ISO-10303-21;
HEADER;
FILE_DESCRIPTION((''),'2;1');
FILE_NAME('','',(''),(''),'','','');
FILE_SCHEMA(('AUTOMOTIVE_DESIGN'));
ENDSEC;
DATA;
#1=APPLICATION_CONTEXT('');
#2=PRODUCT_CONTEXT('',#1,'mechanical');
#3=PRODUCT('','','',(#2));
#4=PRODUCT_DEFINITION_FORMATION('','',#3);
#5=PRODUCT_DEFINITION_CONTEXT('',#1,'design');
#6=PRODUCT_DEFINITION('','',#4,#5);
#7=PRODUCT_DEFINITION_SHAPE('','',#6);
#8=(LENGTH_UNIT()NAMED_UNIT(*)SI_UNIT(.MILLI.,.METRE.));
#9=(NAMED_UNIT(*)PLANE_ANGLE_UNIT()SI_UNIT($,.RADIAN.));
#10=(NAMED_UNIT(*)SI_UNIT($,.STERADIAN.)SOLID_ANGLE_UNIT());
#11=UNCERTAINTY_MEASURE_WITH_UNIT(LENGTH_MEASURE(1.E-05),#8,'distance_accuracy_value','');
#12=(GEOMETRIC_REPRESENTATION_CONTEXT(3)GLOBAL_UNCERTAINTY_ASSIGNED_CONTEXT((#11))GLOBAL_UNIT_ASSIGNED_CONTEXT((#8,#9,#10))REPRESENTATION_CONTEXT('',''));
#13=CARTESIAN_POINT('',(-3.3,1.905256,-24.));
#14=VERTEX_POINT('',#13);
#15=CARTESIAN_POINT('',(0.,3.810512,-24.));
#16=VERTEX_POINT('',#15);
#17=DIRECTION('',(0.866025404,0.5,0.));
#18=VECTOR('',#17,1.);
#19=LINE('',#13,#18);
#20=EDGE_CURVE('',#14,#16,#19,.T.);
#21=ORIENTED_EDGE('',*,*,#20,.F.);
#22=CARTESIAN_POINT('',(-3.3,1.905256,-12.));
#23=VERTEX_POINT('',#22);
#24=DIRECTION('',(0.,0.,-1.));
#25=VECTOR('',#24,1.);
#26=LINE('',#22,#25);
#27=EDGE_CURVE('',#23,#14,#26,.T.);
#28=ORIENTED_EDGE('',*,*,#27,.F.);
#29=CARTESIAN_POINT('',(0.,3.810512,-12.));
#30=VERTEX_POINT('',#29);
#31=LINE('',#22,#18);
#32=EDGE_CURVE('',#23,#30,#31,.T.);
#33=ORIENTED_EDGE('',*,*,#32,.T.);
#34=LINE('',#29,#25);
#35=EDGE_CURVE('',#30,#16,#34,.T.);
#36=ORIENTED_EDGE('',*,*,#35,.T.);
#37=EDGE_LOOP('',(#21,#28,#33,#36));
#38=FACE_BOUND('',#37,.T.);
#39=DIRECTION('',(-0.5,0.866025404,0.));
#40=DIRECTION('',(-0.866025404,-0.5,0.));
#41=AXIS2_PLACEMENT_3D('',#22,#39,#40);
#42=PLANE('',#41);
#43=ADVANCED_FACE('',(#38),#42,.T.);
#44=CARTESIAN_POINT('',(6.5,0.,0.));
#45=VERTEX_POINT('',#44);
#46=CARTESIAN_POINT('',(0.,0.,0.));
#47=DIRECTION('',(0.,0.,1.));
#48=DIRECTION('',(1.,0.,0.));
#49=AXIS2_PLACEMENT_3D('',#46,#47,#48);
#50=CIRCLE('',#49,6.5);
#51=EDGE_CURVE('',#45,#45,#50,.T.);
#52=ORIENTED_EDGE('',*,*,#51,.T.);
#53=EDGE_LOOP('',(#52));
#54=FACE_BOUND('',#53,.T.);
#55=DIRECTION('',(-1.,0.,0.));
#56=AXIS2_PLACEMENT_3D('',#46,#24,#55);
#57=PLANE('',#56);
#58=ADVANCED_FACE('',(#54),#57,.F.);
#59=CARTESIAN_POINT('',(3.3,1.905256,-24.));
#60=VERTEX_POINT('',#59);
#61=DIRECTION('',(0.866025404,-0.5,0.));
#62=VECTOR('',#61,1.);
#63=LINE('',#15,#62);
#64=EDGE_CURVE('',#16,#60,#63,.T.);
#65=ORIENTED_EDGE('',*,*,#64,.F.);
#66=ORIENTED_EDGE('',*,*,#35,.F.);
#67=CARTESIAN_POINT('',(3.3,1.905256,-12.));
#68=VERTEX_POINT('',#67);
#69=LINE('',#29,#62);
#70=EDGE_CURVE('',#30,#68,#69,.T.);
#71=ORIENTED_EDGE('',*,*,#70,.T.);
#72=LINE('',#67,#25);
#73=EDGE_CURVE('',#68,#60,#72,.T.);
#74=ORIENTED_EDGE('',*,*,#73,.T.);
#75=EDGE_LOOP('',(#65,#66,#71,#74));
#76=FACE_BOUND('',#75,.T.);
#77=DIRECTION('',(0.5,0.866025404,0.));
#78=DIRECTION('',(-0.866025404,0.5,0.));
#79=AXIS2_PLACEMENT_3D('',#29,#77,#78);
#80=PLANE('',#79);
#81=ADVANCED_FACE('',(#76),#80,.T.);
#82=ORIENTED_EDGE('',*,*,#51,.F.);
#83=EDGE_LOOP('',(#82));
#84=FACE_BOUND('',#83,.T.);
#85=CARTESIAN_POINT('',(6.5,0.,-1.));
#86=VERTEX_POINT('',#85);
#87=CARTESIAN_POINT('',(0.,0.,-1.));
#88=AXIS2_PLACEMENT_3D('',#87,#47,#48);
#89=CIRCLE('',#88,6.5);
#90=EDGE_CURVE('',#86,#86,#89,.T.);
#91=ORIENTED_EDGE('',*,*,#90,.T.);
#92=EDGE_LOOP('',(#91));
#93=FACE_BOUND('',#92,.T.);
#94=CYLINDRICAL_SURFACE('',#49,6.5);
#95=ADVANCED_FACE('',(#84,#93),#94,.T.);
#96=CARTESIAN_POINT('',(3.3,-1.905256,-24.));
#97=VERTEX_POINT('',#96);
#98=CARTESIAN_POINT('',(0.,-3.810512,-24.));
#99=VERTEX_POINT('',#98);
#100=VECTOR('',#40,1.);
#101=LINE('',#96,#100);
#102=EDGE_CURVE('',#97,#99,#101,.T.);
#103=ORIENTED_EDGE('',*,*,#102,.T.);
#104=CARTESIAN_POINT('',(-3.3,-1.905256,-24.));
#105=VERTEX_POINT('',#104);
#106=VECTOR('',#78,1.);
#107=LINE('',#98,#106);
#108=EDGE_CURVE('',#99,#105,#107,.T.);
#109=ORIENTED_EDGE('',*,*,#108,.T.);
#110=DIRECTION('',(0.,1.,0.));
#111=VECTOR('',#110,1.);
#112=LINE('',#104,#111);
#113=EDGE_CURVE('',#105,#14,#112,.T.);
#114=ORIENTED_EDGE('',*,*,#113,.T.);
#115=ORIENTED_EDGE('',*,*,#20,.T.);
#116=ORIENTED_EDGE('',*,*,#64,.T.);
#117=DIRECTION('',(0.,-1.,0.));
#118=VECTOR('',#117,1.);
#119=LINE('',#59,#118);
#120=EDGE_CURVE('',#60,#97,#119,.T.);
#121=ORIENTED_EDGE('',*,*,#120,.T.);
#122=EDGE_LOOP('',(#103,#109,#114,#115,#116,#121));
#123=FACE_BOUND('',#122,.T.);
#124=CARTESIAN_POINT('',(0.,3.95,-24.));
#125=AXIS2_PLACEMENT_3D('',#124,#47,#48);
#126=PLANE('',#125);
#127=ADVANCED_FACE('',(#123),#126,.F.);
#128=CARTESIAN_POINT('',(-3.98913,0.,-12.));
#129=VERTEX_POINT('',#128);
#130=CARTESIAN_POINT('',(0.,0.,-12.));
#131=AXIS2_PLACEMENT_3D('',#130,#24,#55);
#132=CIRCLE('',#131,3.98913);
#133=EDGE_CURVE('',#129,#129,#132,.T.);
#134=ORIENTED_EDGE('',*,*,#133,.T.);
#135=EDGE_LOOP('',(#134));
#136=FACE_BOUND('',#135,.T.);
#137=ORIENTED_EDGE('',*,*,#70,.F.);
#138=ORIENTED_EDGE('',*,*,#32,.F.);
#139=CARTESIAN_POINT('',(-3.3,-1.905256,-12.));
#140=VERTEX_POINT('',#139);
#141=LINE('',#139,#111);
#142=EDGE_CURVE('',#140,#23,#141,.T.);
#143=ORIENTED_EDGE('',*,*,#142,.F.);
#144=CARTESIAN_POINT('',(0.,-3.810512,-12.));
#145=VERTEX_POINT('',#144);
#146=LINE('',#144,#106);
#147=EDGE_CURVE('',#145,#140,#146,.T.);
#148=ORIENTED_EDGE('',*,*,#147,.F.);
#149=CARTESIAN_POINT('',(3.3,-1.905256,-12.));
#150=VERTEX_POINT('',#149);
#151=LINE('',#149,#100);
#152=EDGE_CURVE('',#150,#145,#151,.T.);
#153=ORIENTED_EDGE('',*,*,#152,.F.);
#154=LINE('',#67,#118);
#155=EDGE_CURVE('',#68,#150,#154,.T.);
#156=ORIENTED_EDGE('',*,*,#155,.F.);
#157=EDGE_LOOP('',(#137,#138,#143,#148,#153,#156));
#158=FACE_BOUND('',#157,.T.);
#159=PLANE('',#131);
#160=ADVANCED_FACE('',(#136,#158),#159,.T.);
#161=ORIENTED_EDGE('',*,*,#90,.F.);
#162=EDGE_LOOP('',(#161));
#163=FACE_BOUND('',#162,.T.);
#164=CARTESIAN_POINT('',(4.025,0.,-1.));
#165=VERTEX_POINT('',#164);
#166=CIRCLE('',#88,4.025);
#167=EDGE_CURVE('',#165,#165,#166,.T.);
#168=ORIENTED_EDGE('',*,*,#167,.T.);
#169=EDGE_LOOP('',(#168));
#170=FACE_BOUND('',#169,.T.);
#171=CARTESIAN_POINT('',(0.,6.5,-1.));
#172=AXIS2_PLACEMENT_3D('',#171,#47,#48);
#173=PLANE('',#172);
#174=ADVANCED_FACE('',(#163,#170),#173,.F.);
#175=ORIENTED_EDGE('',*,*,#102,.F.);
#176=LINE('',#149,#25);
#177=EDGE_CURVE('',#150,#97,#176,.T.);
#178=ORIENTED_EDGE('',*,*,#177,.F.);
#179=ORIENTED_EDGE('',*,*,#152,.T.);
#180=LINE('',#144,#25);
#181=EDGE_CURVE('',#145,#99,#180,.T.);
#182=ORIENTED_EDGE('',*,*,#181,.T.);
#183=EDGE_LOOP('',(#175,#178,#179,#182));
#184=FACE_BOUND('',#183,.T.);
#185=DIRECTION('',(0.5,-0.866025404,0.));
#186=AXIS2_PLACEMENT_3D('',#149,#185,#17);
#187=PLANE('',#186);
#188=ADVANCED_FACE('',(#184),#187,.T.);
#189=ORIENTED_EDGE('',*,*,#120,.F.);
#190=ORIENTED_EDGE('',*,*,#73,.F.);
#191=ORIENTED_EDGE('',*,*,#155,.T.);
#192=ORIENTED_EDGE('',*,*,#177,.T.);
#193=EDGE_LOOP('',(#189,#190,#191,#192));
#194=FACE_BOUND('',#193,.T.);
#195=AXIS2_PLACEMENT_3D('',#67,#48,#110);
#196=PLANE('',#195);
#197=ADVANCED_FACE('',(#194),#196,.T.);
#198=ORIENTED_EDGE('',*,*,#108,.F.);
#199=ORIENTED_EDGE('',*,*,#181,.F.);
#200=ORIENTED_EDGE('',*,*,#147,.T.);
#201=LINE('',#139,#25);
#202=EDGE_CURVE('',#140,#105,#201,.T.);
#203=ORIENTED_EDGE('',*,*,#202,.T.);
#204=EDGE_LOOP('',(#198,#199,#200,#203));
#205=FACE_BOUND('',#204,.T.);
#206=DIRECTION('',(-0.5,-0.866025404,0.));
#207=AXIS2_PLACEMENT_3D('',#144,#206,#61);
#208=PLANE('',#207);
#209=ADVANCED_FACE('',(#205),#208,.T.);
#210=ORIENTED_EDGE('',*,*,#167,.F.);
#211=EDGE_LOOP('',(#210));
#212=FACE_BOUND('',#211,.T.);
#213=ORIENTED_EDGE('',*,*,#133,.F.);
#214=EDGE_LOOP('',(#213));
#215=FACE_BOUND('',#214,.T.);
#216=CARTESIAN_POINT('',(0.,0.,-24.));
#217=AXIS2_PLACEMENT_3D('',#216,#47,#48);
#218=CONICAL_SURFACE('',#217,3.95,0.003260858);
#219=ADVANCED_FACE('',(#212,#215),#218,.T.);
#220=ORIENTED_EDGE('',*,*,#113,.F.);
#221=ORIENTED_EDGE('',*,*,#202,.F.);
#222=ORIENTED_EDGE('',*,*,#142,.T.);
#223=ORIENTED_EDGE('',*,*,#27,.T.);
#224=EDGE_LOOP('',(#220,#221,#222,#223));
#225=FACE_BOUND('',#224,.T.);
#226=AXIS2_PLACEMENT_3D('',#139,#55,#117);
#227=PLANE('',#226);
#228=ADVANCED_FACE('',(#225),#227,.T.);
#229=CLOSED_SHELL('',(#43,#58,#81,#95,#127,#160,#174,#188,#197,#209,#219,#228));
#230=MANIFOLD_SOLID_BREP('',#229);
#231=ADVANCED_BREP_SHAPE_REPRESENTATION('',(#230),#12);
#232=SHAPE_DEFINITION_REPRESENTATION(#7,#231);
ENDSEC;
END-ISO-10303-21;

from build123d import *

# Parameters (mm, degrees)
SZKIC4_R                   = 5.19169257
WYTNIJ_WYCI_GNI_CIE3_DEPTH = 12


with BuildPart() as part:
    # Szkic3 → Obrót1 (revolve)
    with BuildSketch(Plane(origin=(0, 0, 0), x_dir=(0, 0, -1), z_dir=(1, 0, 0))):
        Polygon((0, 0), (0, 6.5), (1, 6.5), (1, 4.025), (24, 3.95), (24, 0), align=None)
    revolve(axis=Axis((0, 0, 0), (0, 0, -1)))

    # Szkic4 → Wytnij-wyciągnięcie3 (cut)
    with BuildSketch(Plane(origin=(0, 0, -24), x_dir=(-1, 0, 0), z_dir=(0, 0, -1))):
        Circle(SZKIC4_R)
        Polygon((0, 3.810511777), (-3.3, 1.905255888), (-3.3, -1.905255888), (0, -3.810511777), (3.3, -1.905255888), (3.3, 1.905255888), align=None, mode=Mode.SUBTRACT)
    extrude(amount=-WYTNIJ_WYCI_GNI_CIE3_DEPTH, mode=Mode.SUBTRACT)


solid = part.part
